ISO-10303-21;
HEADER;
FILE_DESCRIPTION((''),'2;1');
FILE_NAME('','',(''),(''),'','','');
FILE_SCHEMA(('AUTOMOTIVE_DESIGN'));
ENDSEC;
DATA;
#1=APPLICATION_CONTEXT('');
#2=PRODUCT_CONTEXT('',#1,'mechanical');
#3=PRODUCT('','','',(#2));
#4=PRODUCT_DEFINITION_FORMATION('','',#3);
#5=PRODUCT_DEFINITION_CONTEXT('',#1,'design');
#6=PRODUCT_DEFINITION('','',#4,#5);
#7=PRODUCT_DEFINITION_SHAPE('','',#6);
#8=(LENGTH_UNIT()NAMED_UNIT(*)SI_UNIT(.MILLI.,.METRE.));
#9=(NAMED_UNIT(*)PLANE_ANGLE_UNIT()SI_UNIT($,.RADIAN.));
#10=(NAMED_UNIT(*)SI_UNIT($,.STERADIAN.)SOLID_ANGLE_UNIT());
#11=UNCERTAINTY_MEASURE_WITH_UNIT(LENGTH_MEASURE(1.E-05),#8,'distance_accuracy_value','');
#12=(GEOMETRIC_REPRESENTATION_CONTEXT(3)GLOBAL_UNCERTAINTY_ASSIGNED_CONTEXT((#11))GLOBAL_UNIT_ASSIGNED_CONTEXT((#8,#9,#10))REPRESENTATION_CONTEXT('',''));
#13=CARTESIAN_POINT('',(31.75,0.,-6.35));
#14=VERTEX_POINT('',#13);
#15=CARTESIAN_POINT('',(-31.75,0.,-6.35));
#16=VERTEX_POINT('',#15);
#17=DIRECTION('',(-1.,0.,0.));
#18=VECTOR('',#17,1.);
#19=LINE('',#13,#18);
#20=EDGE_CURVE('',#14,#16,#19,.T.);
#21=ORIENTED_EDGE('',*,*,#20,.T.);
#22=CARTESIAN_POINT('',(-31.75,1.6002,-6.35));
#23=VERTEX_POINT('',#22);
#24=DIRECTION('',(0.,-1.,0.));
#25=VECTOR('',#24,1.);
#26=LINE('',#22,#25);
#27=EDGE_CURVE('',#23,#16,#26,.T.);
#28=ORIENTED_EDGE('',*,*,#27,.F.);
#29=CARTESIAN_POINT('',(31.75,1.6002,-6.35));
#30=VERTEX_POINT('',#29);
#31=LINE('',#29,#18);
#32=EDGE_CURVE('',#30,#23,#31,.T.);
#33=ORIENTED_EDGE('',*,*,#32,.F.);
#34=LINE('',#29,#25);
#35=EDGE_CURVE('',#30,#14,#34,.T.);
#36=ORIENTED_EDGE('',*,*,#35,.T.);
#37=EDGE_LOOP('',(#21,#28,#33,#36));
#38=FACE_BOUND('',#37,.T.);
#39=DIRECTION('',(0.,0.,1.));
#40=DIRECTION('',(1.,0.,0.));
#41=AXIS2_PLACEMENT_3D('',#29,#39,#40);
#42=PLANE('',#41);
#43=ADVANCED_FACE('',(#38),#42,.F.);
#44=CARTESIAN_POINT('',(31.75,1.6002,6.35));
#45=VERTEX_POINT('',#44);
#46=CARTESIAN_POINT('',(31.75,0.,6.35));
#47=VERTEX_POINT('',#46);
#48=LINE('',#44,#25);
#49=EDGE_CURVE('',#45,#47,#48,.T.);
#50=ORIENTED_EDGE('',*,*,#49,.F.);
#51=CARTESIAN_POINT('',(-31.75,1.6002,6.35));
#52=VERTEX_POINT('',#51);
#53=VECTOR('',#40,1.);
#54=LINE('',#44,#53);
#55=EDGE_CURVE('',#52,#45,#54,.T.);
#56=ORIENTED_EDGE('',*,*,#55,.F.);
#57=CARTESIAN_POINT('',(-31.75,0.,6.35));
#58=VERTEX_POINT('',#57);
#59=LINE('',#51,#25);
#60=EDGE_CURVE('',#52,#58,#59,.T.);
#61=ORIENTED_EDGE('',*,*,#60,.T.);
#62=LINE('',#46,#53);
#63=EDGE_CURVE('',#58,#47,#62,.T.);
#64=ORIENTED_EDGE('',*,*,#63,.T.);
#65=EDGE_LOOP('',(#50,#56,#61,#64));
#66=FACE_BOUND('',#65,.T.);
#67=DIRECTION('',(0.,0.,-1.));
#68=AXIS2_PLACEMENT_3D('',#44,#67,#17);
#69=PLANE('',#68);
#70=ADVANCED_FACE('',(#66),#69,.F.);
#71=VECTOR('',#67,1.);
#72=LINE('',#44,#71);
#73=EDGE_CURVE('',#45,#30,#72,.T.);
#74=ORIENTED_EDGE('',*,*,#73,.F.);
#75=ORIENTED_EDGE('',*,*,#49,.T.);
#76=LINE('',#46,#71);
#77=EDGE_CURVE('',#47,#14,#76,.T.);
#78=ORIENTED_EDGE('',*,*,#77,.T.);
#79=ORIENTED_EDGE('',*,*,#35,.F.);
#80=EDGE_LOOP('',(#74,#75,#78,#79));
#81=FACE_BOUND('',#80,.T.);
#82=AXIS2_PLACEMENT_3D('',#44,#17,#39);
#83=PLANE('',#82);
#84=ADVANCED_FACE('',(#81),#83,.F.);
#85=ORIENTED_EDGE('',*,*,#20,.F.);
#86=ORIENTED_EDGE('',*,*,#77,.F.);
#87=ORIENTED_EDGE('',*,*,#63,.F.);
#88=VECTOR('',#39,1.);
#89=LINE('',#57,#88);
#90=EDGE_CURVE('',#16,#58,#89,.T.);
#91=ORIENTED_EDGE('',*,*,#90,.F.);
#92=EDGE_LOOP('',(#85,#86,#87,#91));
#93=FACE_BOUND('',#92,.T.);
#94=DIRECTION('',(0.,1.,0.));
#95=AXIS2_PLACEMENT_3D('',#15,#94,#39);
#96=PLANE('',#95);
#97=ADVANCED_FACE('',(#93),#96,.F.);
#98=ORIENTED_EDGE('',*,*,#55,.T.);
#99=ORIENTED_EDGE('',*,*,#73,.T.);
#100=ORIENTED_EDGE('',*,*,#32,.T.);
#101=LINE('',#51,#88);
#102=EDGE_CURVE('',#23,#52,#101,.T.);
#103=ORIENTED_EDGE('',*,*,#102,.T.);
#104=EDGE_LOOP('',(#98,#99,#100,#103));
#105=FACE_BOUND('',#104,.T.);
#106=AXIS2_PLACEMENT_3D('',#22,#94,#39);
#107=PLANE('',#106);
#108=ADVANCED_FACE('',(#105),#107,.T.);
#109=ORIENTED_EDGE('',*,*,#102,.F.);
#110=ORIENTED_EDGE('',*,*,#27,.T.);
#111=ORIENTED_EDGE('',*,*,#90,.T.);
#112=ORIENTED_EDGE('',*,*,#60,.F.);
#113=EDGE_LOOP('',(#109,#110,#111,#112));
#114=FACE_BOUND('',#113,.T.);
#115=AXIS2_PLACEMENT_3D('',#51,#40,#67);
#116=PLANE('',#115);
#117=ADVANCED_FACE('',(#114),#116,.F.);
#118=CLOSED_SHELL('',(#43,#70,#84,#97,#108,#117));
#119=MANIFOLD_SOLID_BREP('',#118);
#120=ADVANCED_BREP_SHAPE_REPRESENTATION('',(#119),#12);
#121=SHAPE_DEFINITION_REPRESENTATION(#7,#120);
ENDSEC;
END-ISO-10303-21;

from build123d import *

# Parameters (mm, degrees)
SKETCH1_W           = 63.5
SKETCH1_H           = 12.7
BOSS_EXTRUDE1_DEPTH = 1.6002


with BuildPart() as part:
    # Sketch1 → Boss-Extrude1 (new body)
    with BuildSketch(Plane(origin=(0, 0, 0), x_dir=(1, 0, 0), z_dir=(0, 1, 0))):
        Rectangle(SKETCH1_W, SKETCH1_H)
    extrude(amount=BOSS_EXTRUDE1_DEPTH)


solid = part.part
